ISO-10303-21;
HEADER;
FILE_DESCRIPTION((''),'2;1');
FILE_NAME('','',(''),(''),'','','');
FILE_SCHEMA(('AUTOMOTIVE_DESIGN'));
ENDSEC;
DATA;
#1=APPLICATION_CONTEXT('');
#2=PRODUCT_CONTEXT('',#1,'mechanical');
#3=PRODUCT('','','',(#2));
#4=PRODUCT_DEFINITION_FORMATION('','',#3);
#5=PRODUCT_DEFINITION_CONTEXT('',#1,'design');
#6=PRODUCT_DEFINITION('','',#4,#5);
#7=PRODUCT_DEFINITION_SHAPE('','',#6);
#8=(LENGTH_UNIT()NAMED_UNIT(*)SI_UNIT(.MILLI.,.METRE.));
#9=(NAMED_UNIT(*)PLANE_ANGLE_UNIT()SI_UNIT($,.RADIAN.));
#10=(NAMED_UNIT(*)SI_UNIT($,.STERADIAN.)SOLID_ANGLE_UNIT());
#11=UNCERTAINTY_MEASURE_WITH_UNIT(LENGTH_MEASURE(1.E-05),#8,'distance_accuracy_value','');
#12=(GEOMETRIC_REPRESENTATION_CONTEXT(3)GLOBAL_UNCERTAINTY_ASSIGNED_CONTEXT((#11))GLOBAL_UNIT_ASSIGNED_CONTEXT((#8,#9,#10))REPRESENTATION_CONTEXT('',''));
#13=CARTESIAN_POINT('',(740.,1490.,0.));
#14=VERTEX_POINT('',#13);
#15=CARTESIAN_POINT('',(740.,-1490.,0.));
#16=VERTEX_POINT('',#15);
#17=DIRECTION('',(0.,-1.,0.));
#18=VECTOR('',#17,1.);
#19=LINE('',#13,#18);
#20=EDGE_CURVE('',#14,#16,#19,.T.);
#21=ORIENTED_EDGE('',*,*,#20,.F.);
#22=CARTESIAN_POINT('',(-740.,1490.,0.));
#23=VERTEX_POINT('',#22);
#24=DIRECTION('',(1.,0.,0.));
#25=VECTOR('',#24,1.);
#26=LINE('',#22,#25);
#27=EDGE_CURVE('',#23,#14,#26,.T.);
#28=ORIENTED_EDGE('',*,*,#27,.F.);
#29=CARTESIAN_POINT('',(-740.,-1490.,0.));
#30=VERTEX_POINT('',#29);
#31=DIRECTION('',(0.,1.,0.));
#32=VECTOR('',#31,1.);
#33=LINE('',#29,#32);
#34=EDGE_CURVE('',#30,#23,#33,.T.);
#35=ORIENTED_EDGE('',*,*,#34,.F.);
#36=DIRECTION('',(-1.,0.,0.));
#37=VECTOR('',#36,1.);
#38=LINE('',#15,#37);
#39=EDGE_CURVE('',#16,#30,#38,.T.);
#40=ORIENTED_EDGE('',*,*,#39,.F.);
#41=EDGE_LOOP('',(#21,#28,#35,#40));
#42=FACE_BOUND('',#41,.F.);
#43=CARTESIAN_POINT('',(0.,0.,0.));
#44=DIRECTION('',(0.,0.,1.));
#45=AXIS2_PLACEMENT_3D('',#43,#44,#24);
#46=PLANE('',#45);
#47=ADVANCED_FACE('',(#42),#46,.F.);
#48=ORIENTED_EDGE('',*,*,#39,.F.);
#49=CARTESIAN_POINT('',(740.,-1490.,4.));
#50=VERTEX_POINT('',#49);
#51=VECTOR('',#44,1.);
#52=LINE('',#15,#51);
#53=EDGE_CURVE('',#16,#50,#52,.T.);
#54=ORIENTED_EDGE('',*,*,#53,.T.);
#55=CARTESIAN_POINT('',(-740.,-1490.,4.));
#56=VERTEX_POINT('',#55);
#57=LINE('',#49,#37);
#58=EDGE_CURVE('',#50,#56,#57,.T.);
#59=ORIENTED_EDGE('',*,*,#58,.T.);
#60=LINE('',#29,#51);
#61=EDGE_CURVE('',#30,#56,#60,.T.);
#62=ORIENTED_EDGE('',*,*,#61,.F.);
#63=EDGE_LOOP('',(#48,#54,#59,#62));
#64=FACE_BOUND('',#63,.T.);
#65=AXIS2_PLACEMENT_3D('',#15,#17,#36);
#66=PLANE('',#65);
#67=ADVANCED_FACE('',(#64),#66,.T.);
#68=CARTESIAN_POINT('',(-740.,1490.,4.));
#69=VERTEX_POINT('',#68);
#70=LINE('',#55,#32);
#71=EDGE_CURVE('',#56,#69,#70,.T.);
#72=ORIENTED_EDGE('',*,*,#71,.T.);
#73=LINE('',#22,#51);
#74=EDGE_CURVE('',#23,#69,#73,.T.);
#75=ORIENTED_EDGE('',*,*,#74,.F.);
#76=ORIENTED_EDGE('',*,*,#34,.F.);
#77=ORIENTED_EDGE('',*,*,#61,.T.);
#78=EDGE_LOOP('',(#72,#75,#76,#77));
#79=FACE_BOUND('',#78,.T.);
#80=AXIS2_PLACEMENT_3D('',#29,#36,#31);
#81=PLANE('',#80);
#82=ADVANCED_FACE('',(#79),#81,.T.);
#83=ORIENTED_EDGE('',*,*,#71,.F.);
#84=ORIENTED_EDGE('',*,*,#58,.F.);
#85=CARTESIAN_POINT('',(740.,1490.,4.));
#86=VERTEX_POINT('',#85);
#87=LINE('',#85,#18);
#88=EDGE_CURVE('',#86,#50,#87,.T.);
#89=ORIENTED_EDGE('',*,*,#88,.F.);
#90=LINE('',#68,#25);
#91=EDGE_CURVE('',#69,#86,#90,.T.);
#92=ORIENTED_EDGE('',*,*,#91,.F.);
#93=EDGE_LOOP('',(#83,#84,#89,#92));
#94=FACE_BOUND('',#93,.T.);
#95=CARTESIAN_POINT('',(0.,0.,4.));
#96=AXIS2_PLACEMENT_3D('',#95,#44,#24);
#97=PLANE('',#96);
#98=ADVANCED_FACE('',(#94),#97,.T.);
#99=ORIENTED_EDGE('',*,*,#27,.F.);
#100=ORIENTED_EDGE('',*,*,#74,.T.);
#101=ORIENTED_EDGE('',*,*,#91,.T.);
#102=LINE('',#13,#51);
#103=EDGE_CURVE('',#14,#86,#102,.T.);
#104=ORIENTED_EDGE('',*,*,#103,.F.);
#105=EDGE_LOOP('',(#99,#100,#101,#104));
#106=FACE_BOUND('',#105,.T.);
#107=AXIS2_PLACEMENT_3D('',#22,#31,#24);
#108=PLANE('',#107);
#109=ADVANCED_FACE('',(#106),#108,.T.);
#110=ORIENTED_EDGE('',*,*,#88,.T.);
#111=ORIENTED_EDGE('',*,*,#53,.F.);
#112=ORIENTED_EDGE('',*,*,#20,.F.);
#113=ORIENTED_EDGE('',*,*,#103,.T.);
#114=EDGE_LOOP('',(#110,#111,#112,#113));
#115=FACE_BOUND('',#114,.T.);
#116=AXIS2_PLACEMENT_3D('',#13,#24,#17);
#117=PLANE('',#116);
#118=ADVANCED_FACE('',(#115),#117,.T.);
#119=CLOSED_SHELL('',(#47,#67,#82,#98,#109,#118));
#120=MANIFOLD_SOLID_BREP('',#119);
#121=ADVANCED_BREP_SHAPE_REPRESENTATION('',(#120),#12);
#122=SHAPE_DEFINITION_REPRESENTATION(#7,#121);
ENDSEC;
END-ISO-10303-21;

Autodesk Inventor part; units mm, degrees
ref_plane "YZ Plane" through (0, 0, 0) normal (1, 0, 0) x (0, 1, 0)
ref_plane "XZ Plane" through (0, 0, 0) normal (0, 1, 0) x (-1, 0, 0)
ref_plane "XY Plane" through (0, 0, 0) normal (0, 0, 1) x (1, 0, 0)
sketch "Sketch1" plane through (0, 0, 0) normal (0, 0, 1) x (1, 0, 0)
  line L0 (740, -1490) -> (-740, -1490)
  line L1 (-740, -1490) -> (-740, 1490)
  line L2 (-740, 1490) -> (740, 1490)
  line L3 (740, 1490) -> (740, -1490)
  line L4 (740, -1490) -> (-740, 1490) construction
  line L5 (-740, -1490) -> (740, 1490) construction
  point P0 (0, 0)
  dimension "d0" = 1480
  dimension "d1" = 2980
extrude "Plate1" add sketch "Sketch1" along normal blind 4
equation "\"d0\" = Лист_ширина"
equation "\"d2\" = Thickness"
equation "\"BendRadius\" = Thickness"
equation "\"BendReliefWidth\" = Thickness"
equation "\"BendReliefDepth\" = 0.5 * Thickness"
equation "\"CornerReliefSize\" = 4 * Thickness"
equation "\"MinimumRemnant\" = 2 * Thickness"
equation "\"TransitionRadius\" = BendRadius"
equation "\"JacobiRadiusSize\" = BendRadius"
equation "\"GapSize\" = Thickness"
equation "\"Лист_ширина\" = 1480"
equation "\"Thickness\" = 4"
properties part number "GBK 1018 shield 2" material "Steel"
